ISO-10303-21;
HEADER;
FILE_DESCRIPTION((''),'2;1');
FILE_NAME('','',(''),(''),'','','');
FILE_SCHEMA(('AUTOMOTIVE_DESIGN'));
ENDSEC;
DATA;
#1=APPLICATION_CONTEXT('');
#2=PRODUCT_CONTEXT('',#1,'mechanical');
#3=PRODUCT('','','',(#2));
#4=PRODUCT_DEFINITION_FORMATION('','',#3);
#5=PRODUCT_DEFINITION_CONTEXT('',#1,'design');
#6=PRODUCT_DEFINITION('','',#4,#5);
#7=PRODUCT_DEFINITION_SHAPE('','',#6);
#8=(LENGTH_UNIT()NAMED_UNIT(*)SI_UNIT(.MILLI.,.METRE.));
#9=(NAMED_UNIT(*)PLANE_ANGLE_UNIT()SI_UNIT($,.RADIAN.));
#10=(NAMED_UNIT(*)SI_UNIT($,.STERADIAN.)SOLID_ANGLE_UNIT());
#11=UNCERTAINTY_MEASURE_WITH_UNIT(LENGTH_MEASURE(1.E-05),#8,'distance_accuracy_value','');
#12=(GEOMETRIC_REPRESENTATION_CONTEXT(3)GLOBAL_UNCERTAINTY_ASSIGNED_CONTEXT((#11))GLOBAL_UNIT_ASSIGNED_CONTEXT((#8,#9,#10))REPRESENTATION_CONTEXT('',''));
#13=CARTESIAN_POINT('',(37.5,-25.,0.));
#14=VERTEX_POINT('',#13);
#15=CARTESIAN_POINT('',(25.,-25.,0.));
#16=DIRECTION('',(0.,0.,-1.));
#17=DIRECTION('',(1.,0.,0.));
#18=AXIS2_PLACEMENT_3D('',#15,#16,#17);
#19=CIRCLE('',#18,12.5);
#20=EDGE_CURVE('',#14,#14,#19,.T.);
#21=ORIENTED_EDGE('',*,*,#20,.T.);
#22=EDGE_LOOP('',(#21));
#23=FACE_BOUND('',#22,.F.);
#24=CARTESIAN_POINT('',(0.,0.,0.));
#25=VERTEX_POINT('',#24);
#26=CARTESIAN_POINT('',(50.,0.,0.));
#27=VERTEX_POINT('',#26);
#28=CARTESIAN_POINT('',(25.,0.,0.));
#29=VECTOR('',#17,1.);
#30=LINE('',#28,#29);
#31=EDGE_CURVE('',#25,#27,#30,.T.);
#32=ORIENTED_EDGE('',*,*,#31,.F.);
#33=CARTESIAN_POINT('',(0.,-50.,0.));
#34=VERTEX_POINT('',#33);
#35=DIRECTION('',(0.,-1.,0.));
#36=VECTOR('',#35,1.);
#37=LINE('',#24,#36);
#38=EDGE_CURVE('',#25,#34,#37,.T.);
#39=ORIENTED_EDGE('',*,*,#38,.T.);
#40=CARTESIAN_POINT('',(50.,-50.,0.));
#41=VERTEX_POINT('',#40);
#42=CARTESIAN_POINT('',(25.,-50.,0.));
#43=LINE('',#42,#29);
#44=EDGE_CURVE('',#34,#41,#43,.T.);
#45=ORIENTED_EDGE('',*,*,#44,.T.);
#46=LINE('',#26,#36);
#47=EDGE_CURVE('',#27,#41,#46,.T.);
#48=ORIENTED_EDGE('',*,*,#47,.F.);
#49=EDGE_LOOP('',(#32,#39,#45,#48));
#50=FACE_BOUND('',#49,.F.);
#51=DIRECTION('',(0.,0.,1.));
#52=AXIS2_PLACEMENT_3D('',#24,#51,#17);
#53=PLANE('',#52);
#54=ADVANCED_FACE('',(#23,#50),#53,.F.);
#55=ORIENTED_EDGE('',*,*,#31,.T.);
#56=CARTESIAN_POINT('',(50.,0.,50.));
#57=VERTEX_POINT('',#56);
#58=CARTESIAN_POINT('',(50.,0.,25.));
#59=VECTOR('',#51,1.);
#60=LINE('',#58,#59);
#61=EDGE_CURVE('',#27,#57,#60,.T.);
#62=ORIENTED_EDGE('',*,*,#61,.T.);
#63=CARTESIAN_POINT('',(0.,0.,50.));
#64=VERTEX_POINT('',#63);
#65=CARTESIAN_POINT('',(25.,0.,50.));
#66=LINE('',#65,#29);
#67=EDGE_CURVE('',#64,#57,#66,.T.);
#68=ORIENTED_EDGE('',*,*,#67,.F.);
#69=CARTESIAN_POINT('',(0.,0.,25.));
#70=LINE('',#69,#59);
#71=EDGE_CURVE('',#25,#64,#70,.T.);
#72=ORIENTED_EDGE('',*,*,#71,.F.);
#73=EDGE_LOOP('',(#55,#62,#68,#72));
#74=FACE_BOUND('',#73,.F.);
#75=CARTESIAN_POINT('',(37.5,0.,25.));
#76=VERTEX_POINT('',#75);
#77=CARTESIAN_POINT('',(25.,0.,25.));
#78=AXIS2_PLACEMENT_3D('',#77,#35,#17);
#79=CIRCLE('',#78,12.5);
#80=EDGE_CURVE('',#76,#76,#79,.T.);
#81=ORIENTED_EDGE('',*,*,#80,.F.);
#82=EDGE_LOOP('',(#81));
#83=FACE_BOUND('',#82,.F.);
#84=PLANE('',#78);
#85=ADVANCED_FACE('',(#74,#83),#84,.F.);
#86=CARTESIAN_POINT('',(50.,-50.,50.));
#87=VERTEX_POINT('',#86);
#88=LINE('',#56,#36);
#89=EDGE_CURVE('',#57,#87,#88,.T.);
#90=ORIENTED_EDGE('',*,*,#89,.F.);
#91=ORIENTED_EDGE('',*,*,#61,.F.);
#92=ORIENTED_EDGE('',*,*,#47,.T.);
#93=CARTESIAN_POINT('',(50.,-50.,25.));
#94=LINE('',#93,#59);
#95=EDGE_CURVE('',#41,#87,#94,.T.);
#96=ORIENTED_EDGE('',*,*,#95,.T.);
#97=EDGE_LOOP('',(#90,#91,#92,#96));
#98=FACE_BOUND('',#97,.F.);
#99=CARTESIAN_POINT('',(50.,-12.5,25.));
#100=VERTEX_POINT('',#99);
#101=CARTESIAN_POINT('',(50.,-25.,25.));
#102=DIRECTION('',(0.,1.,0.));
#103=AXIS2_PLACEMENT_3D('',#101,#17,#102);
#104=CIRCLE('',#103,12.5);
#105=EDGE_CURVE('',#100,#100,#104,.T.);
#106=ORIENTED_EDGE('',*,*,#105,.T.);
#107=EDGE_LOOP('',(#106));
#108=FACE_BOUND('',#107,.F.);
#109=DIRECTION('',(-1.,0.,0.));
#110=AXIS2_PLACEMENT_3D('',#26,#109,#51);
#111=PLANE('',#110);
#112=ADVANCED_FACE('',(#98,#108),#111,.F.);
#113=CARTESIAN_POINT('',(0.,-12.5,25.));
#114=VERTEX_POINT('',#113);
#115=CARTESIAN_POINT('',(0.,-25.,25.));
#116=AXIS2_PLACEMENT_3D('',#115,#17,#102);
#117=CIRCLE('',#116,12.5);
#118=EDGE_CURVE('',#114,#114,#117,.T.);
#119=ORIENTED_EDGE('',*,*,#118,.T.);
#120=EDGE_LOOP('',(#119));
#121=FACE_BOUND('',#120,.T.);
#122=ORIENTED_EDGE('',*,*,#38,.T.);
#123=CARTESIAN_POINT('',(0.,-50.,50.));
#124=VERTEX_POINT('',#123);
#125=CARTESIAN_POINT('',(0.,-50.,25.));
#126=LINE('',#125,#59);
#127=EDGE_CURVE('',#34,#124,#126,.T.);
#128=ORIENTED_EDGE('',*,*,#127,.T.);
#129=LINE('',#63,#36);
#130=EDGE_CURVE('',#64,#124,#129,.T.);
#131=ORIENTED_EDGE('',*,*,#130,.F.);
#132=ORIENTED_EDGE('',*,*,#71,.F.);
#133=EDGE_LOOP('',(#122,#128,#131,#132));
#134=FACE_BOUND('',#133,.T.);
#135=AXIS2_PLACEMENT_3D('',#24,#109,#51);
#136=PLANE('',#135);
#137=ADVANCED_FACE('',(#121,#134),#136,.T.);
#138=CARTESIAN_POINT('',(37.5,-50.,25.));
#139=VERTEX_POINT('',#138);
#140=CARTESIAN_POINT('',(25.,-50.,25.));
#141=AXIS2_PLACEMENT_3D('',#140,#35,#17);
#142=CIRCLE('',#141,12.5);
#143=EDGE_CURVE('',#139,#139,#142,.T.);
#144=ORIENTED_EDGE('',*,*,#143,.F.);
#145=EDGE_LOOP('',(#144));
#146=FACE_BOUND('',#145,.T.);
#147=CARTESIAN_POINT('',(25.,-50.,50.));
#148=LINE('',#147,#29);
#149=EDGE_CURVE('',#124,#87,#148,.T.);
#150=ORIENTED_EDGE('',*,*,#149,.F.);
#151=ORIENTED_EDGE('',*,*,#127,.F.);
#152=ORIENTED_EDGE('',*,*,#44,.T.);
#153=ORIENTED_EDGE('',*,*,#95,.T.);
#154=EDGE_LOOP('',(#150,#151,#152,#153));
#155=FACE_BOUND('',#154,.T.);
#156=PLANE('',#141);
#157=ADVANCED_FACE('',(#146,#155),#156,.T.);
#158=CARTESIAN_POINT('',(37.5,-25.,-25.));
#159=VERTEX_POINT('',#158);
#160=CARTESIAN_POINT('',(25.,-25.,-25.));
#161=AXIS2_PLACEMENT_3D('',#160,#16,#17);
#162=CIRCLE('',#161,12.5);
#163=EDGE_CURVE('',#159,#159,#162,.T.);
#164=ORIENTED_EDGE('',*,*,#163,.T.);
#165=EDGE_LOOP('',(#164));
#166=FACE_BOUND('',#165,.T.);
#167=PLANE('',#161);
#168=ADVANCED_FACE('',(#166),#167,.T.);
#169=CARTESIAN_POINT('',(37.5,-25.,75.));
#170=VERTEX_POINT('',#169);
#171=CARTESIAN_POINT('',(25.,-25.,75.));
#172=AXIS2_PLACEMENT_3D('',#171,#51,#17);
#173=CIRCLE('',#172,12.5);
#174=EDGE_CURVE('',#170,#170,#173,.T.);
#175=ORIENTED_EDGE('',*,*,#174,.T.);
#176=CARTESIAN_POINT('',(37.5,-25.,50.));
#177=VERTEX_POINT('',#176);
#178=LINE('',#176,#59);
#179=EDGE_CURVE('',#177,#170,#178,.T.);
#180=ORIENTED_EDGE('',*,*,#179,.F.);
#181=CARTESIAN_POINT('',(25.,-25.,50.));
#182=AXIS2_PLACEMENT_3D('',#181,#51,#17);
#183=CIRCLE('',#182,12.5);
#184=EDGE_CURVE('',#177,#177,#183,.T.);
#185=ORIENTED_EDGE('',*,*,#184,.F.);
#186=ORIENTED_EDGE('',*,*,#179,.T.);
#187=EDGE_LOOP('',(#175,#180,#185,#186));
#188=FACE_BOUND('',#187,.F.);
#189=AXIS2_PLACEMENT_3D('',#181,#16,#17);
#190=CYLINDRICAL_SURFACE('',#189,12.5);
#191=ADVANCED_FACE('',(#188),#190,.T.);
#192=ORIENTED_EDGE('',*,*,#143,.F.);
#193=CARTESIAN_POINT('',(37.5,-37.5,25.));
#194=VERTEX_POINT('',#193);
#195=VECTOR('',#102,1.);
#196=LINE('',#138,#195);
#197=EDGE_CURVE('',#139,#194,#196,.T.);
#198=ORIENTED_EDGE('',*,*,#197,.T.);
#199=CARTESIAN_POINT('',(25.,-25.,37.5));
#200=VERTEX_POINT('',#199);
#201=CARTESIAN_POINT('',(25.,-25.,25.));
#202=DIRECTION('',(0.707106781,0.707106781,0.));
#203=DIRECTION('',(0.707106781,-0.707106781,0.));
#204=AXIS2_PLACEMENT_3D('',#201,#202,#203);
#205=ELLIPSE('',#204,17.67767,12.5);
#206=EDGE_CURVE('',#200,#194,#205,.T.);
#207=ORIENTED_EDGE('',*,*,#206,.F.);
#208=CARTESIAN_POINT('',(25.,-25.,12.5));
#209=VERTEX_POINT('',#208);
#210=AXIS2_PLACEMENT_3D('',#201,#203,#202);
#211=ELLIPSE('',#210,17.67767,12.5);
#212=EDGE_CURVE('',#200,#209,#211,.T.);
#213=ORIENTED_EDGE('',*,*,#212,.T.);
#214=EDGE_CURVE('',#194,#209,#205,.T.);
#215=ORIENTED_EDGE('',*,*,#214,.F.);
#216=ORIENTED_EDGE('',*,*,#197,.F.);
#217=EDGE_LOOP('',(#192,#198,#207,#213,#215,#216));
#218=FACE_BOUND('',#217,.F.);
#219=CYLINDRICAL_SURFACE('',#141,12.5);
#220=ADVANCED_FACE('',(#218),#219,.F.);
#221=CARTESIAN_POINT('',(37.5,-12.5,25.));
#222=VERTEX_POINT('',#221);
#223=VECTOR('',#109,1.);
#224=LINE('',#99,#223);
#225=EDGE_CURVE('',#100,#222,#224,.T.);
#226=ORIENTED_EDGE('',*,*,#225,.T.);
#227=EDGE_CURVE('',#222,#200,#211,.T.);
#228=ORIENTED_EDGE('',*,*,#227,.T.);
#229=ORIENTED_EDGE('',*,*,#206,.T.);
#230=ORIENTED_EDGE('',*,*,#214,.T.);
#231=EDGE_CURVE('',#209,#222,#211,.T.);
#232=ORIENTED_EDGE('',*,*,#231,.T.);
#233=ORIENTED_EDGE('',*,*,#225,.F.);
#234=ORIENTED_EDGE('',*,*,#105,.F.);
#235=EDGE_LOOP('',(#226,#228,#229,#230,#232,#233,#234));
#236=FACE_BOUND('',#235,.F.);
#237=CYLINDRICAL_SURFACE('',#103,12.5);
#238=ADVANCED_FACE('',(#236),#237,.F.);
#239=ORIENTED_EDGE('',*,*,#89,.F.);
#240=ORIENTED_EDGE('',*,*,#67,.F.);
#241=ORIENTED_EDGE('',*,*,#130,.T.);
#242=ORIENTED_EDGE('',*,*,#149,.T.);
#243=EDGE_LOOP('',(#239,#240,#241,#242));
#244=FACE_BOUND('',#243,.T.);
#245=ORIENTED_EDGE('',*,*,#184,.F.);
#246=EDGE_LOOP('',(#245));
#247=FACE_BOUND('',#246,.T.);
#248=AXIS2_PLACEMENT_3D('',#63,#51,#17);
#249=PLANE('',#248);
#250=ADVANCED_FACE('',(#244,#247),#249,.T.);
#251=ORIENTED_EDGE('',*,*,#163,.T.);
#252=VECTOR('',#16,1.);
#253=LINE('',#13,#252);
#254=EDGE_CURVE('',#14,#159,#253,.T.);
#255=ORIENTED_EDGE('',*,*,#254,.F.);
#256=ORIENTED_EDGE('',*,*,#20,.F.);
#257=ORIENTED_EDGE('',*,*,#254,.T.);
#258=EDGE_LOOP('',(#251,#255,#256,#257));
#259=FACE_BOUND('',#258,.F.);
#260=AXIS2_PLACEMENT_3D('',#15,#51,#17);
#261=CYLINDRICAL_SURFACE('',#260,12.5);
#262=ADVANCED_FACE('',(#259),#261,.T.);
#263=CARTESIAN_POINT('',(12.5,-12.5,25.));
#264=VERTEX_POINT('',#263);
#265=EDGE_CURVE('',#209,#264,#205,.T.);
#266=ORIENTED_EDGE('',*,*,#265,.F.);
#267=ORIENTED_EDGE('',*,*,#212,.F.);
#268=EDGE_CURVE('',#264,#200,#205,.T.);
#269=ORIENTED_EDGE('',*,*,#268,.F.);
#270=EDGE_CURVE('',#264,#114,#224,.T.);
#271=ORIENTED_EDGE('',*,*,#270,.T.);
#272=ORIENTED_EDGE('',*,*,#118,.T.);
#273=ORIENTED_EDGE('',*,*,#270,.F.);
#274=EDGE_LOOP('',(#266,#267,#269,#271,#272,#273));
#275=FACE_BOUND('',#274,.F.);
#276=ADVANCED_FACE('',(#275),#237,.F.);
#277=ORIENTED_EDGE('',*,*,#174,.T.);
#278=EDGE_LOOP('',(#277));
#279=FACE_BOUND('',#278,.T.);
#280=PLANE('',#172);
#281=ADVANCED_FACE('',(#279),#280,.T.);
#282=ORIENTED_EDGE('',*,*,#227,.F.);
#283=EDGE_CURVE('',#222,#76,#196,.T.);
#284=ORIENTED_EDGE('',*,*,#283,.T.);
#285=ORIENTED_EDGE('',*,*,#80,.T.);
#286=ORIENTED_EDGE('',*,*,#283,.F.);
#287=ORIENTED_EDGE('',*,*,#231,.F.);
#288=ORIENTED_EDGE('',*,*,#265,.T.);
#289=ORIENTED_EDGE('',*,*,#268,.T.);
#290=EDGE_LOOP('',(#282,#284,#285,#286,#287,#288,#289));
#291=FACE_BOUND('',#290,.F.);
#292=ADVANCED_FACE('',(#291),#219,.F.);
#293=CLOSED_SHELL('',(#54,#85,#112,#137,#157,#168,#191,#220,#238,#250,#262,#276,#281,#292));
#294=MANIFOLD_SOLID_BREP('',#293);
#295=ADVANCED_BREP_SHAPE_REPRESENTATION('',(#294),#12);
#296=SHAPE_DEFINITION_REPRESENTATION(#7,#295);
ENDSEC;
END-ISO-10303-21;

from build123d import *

# Parameters (mm, degrees)
F0_W     = 50
F0_H     = 50
F1_DEPTH = 50
F2_R     = 12.5
F3_DEPTH = 25
F4_R     = 12.5
F5_DEPTH = 50
F6_R     = 12.5
F7_DEPTH = 50
F8_R     = 12.5
F9_DEPTH = 25


with BuildPart() as f1:
    # F0 (on Front) → F1 (new body)
    with BuildSketch(Plane.XZ):
        with Locations((25, 25)):
            Rectangle(F0_W, F0_H)
    extrude(amount=F1_DEPTH)

    # F2 (on face) → F3 (join)
    with BuildSketch(Plane.XY.offset(50)):
        with Locations((25, -25)):
            Circle(F2_R)
    extrude(amount=F3_DEPTH)

    # F4 (on face) → F5 (cut)
    with BuildSketch(Plane.YZ.offset(50)):
        with Locations((-25, 25)):
            Circle(F4_R)
    extrude(amount=-F5_DEPTH, mode=Mode.SUBTRACT)

    # F6 (on face) → F7 (cut)
    with BuildSketch(Plane.XZ.offset(50)):
        with Locations((25, 25)):
            Circle(F6_R)
    extrude(amount=-F7_DEPTH, mode=Mode.SUBTRACT)

    # F8 (on face) → F9 (join)
    with BuildSketch(Plane(origin=(0, 0, 0), x_dir=(1, 0, 0), z_dir=(0, 0, -1))):
        with Locations((25, 25)):
            Circle(F8_R)
    extrude(amount=F9_DEPTH)


solid = f1.part
